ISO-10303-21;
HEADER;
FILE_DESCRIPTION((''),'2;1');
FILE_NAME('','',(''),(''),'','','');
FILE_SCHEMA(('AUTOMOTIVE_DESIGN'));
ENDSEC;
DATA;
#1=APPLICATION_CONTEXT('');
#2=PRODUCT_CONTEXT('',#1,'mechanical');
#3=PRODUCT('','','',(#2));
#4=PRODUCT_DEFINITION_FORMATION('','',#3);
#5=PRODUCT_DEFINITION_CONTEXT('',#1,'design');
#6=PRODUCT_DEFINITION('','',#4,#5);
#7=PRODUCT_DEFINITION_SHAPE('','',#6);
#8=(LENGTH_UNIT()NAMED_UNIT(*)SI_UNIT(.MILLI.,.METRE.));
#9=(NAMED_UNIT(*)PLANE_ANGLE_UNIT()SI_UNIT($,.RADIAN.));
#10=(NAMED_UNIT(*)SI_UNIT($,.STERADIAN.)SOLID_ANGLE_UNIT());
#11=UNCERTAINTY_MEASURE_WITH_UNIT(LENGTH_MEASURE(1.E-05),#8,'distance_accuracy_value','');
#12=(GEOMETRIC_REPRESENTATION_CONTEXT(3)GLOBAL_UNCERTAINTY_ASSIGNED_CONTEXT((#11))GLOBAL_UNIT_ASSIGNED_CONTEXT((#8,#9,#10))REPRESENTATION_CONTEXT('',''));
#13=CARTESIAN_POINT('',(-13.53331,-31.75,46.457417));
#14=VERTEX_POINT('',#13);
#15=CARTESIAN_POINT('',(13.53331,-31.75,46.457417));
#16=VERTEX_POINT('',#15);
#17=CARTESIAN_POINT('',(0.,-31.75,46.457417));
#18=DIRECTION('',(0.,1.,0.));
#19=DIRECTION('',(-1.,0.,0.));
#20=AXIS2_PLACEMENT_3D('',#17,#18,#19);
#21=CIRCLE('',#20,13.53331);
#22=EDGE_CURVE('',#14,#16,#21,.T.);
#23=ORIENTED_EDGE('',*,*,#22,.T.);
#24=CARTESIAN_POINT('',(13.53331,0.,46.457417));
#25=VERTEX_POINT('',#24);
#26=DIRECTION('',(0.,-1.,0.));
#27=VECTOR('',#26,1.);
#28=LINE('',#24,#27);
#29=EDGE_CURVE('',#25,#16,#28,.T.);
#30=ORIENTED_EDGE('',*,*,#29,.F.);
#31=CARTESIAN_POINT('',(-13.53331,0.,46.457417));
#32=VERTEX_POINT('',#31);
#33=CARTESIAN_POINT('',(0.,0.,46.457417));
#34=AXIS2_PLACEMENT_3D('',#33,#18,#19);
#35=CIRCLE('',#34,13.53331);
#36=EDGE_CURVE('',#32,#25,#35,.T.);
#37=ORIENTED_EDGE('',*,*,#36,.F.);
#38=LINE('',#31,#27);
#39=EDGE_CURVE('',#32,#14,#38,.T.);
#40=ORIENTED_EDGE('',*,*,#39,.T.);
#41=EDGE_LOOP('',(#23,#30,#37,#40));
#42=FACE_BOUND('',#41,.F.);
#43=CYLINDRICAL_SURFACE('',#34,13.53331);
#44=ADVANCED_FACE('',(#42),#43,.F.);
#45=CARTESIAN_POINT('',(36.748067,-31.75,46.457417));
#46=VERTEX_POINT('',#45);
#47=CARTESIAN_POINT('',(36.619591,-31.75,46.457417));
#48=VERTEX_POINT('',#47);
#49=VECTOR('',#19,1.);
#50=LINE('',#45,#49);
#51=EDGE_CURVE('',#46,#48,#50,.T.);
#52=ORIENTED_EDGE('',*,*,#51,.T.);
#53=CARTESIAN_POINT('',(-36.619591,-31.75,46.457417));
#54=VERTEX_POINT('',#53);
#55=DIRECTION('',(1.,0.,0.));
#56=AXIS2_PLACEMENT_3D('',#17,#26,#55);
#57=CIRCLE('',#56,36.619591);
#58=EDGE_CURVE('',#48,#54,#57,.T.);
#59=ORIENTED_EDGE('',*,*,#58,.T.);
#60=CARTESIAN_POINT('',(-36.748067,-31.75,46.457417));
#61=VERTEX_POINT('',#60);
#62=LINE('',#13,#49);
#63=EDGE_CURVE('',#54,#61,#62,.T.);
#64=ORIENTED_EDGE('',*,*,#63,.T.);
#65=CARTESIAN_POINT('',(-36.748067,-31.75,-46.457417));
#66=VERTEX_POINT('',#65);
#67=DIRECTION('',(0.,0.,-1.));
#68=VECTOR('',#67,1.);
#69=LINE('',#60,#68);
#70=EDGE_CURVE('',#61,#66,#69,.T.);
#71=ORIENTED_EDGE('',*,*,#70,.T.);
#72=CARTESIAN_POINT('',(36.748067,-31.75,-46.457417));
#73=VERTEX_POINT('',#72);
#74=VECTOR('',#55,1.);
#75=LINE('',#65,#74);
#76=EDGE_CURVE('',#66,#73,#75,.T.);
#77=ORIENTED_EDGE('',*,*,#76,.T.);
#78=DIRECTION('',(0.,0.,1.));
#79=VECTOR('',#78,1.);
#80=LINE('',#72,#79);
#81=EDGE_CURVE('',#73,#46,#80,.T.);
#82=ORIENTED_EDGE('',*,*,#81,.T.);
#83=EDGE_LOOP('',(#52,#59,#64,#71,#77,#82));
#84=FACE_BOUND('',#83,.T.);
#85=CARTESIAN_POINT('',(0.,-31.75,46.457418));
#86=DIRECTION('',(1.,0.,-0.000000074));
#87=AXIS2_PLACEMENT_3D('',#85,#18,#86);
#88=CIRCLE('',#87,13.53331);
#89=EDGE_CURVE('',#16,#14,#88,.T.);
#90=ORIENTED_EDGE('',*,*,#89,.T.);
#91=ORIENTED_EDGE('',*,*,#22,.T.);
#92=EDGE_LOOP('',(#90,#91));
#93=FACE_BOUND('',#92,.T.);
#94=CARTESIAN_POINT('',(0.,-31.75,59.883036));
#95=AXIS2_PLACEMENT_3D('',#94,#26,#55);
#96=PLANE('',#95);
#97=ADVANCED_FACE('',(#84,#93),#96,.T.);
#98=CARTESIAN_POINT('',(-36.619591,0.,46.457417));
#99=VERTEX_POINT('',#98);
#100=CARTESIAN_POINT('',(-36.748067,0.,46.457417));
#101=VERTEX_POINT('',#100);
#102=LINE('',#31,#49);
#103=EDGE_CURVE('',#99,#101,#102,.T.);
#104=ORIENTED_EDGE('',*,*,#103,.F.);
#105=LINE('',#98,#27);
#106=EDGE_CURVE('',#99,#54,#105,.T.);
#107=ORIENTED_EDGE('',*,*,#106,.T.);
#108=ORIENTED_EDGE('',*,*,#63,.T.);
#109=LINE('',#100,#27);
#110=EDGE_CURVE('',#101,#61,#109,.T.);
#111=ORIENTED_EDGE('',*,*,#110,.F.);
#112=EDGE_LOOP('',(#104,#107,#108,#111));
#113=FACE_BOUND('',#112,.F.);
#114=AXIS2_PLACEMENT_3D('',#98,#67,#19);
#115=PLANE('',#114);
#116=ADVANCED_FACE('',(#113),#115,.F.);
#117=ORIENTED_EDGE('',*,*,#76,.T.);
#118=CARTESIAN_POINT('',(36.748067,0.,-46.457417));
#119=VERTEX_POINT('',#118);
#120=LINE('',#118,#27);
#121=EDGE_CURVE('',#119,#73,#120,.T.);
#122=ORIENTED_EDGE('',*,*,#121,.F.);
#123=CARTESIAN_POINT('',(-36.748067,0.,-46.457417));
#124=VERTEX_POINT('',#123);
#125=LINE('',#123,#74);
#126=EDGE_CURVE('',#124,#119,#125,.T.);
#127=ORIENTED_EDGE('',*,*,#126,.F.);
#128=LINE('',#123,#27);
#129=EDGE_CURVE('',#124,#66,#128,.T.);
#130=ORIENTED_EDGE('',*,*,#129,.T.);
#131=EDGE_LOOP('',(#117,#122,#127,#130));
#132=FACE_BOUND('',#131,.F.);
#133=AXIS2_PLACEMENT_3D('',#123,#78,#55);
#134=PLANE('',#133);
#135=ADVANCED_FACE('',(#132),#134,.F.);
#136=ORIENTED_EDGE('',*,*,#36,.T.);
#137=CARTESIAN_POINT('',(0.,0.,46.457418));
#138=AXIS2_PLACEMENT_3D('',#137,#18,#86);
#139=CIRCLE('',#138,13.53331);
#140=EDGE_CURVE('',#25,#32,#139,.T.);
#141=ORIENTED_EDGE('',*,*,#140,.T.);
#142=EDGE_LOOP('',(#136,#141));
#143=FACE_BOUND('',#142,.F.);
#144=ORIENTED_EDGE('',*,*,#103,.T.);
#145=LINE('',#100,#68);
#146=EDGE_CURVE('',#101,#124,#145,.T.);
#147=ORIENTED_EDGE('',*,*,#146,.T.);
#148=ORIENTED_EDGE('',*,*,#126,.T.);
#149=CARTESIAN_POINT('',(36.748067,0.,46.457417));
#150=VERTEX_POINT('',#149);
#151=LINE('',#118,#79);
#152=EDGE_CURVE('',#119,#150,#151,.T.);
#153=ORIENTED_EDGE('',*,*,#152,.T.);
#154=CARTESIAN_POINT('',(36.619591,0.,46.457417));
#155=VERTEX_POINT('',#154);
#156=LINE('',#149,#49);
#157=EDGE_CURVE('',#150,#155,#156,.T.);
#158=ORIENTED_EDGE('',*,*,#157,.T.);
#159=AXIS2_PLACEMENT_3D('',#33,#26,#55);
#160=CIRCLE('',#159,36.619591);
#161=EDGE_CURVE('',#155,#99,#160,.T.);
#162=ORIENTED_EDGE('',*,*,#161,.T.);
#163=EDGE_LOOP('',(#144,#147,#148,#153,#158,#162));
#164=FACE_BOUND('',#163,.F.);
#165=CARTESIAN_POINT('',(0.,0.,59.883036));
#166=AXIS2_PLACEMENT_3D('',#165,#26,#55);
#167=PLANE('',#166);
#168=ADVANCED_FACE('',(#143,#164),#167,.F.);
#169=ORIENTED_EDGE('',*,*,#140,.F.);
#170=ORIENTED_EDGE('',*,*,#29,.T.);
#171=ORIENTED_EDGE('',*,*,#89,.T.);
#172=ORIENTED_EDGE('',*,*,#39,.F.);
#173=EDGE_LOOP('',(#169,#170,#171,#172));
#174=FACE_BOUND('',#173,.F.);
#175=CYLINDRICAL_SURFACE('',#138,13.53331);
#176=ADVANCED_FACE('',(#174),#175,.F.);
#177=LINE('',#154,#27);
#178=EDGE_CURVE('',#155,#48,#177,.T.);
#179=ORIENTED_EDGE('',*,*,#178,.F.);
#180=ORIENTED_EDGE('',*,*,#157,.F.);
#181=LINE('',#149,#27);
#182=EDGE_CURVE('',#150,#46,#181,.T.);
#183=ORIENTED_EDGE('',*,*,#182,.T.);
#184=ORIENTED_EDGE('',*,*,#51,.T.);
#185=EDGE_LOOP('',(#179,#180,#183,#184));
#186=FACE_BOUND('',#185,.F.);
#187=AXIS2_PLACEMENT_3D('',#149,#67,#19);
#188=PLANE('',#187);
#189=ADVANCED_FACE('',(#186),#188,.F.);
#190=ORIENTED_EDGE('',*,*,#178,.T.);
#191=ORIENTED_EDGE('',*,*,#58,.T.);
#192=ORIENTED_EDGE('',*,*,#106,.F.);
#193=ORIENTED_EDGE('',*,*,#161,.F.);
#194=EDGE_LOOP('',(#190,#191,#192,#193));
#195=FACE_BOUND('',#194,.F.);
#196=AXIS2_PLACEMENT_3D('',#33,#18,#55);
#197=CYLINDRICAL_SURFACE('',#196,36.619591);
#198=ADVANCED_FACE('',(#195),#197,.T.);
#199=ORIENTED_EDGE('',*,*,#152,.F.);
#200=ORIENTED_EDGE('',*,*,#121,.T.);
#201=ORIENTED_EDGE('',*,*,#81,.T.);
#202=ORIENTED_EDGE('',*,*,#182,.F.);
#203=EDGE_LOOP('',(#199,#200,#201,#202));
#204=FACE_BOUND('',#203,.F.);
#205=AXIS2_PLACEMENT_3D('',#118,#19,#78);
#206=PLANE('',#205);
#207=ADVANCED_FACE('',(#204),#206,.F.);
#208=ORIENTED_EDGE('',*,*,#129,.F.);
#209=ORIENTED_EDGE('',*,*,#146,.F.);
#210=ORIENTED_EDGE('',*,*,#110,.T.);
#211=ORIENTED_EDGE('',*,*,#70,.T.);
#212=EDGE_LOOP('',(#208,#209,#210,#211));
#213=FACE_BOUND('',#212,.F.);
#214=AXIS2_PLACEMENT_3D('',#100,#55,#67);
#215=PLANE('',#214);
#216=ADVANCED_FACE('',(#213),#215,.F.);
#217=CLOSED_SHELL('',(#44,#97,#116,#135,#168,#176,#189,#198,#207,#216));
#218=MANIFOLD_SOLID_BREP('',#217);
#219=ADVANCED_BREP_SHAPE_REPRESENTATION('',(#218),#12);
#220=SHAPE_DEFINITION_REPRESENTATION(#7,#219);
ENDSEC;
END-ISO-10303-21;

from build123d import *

# Parameters (mm, degrees)
F1_DEPTH = 31.75


with BuildPart() as f1:
    # F0 (on Front) → F1 (new body)
    with BuildSketch(Plane.XZ):
        with BuildLine():
            Line((13.53331, 46.457417), (36.619591, 46.457417))
            ThreePointArc((36.619591, 46.457417), (0, 83.077008), (-36.619591, 46.457417))
            Line((-36.619591, 46.457417), (-13.53331, 46.457417))
            ThreePointArc((-13.53331, 46.457417), (0, 59.990727), (13.53331, 46.457417))
        make_face()
        with BuildLine():
            Line((-36.748067, -46.457417), (36.748067, -46.457417))
            Line((36.748067, -46.457417), (36.748067, 46.457417))
            Line((36.748067, 46.457417), (36.619591, 46.457417))
            Line((36.619591, 46.457417), (13.53331, 46.457417))
            ThreePointArc((13.53331, 46.457417), (0, 32.924108), (-13.53331, 46.457417))
            Line((-13.53331, 46.457417), (-36.619591, 46.457417))
            Line((-36.619591, 46.457417), (-36.748067, 46.457417))
            Line((-36.748067, 46.457417), (-36.748067, -46.457417))
        make_face()
    extrude(amount=F1_DEPTH)


solid = f1.part
